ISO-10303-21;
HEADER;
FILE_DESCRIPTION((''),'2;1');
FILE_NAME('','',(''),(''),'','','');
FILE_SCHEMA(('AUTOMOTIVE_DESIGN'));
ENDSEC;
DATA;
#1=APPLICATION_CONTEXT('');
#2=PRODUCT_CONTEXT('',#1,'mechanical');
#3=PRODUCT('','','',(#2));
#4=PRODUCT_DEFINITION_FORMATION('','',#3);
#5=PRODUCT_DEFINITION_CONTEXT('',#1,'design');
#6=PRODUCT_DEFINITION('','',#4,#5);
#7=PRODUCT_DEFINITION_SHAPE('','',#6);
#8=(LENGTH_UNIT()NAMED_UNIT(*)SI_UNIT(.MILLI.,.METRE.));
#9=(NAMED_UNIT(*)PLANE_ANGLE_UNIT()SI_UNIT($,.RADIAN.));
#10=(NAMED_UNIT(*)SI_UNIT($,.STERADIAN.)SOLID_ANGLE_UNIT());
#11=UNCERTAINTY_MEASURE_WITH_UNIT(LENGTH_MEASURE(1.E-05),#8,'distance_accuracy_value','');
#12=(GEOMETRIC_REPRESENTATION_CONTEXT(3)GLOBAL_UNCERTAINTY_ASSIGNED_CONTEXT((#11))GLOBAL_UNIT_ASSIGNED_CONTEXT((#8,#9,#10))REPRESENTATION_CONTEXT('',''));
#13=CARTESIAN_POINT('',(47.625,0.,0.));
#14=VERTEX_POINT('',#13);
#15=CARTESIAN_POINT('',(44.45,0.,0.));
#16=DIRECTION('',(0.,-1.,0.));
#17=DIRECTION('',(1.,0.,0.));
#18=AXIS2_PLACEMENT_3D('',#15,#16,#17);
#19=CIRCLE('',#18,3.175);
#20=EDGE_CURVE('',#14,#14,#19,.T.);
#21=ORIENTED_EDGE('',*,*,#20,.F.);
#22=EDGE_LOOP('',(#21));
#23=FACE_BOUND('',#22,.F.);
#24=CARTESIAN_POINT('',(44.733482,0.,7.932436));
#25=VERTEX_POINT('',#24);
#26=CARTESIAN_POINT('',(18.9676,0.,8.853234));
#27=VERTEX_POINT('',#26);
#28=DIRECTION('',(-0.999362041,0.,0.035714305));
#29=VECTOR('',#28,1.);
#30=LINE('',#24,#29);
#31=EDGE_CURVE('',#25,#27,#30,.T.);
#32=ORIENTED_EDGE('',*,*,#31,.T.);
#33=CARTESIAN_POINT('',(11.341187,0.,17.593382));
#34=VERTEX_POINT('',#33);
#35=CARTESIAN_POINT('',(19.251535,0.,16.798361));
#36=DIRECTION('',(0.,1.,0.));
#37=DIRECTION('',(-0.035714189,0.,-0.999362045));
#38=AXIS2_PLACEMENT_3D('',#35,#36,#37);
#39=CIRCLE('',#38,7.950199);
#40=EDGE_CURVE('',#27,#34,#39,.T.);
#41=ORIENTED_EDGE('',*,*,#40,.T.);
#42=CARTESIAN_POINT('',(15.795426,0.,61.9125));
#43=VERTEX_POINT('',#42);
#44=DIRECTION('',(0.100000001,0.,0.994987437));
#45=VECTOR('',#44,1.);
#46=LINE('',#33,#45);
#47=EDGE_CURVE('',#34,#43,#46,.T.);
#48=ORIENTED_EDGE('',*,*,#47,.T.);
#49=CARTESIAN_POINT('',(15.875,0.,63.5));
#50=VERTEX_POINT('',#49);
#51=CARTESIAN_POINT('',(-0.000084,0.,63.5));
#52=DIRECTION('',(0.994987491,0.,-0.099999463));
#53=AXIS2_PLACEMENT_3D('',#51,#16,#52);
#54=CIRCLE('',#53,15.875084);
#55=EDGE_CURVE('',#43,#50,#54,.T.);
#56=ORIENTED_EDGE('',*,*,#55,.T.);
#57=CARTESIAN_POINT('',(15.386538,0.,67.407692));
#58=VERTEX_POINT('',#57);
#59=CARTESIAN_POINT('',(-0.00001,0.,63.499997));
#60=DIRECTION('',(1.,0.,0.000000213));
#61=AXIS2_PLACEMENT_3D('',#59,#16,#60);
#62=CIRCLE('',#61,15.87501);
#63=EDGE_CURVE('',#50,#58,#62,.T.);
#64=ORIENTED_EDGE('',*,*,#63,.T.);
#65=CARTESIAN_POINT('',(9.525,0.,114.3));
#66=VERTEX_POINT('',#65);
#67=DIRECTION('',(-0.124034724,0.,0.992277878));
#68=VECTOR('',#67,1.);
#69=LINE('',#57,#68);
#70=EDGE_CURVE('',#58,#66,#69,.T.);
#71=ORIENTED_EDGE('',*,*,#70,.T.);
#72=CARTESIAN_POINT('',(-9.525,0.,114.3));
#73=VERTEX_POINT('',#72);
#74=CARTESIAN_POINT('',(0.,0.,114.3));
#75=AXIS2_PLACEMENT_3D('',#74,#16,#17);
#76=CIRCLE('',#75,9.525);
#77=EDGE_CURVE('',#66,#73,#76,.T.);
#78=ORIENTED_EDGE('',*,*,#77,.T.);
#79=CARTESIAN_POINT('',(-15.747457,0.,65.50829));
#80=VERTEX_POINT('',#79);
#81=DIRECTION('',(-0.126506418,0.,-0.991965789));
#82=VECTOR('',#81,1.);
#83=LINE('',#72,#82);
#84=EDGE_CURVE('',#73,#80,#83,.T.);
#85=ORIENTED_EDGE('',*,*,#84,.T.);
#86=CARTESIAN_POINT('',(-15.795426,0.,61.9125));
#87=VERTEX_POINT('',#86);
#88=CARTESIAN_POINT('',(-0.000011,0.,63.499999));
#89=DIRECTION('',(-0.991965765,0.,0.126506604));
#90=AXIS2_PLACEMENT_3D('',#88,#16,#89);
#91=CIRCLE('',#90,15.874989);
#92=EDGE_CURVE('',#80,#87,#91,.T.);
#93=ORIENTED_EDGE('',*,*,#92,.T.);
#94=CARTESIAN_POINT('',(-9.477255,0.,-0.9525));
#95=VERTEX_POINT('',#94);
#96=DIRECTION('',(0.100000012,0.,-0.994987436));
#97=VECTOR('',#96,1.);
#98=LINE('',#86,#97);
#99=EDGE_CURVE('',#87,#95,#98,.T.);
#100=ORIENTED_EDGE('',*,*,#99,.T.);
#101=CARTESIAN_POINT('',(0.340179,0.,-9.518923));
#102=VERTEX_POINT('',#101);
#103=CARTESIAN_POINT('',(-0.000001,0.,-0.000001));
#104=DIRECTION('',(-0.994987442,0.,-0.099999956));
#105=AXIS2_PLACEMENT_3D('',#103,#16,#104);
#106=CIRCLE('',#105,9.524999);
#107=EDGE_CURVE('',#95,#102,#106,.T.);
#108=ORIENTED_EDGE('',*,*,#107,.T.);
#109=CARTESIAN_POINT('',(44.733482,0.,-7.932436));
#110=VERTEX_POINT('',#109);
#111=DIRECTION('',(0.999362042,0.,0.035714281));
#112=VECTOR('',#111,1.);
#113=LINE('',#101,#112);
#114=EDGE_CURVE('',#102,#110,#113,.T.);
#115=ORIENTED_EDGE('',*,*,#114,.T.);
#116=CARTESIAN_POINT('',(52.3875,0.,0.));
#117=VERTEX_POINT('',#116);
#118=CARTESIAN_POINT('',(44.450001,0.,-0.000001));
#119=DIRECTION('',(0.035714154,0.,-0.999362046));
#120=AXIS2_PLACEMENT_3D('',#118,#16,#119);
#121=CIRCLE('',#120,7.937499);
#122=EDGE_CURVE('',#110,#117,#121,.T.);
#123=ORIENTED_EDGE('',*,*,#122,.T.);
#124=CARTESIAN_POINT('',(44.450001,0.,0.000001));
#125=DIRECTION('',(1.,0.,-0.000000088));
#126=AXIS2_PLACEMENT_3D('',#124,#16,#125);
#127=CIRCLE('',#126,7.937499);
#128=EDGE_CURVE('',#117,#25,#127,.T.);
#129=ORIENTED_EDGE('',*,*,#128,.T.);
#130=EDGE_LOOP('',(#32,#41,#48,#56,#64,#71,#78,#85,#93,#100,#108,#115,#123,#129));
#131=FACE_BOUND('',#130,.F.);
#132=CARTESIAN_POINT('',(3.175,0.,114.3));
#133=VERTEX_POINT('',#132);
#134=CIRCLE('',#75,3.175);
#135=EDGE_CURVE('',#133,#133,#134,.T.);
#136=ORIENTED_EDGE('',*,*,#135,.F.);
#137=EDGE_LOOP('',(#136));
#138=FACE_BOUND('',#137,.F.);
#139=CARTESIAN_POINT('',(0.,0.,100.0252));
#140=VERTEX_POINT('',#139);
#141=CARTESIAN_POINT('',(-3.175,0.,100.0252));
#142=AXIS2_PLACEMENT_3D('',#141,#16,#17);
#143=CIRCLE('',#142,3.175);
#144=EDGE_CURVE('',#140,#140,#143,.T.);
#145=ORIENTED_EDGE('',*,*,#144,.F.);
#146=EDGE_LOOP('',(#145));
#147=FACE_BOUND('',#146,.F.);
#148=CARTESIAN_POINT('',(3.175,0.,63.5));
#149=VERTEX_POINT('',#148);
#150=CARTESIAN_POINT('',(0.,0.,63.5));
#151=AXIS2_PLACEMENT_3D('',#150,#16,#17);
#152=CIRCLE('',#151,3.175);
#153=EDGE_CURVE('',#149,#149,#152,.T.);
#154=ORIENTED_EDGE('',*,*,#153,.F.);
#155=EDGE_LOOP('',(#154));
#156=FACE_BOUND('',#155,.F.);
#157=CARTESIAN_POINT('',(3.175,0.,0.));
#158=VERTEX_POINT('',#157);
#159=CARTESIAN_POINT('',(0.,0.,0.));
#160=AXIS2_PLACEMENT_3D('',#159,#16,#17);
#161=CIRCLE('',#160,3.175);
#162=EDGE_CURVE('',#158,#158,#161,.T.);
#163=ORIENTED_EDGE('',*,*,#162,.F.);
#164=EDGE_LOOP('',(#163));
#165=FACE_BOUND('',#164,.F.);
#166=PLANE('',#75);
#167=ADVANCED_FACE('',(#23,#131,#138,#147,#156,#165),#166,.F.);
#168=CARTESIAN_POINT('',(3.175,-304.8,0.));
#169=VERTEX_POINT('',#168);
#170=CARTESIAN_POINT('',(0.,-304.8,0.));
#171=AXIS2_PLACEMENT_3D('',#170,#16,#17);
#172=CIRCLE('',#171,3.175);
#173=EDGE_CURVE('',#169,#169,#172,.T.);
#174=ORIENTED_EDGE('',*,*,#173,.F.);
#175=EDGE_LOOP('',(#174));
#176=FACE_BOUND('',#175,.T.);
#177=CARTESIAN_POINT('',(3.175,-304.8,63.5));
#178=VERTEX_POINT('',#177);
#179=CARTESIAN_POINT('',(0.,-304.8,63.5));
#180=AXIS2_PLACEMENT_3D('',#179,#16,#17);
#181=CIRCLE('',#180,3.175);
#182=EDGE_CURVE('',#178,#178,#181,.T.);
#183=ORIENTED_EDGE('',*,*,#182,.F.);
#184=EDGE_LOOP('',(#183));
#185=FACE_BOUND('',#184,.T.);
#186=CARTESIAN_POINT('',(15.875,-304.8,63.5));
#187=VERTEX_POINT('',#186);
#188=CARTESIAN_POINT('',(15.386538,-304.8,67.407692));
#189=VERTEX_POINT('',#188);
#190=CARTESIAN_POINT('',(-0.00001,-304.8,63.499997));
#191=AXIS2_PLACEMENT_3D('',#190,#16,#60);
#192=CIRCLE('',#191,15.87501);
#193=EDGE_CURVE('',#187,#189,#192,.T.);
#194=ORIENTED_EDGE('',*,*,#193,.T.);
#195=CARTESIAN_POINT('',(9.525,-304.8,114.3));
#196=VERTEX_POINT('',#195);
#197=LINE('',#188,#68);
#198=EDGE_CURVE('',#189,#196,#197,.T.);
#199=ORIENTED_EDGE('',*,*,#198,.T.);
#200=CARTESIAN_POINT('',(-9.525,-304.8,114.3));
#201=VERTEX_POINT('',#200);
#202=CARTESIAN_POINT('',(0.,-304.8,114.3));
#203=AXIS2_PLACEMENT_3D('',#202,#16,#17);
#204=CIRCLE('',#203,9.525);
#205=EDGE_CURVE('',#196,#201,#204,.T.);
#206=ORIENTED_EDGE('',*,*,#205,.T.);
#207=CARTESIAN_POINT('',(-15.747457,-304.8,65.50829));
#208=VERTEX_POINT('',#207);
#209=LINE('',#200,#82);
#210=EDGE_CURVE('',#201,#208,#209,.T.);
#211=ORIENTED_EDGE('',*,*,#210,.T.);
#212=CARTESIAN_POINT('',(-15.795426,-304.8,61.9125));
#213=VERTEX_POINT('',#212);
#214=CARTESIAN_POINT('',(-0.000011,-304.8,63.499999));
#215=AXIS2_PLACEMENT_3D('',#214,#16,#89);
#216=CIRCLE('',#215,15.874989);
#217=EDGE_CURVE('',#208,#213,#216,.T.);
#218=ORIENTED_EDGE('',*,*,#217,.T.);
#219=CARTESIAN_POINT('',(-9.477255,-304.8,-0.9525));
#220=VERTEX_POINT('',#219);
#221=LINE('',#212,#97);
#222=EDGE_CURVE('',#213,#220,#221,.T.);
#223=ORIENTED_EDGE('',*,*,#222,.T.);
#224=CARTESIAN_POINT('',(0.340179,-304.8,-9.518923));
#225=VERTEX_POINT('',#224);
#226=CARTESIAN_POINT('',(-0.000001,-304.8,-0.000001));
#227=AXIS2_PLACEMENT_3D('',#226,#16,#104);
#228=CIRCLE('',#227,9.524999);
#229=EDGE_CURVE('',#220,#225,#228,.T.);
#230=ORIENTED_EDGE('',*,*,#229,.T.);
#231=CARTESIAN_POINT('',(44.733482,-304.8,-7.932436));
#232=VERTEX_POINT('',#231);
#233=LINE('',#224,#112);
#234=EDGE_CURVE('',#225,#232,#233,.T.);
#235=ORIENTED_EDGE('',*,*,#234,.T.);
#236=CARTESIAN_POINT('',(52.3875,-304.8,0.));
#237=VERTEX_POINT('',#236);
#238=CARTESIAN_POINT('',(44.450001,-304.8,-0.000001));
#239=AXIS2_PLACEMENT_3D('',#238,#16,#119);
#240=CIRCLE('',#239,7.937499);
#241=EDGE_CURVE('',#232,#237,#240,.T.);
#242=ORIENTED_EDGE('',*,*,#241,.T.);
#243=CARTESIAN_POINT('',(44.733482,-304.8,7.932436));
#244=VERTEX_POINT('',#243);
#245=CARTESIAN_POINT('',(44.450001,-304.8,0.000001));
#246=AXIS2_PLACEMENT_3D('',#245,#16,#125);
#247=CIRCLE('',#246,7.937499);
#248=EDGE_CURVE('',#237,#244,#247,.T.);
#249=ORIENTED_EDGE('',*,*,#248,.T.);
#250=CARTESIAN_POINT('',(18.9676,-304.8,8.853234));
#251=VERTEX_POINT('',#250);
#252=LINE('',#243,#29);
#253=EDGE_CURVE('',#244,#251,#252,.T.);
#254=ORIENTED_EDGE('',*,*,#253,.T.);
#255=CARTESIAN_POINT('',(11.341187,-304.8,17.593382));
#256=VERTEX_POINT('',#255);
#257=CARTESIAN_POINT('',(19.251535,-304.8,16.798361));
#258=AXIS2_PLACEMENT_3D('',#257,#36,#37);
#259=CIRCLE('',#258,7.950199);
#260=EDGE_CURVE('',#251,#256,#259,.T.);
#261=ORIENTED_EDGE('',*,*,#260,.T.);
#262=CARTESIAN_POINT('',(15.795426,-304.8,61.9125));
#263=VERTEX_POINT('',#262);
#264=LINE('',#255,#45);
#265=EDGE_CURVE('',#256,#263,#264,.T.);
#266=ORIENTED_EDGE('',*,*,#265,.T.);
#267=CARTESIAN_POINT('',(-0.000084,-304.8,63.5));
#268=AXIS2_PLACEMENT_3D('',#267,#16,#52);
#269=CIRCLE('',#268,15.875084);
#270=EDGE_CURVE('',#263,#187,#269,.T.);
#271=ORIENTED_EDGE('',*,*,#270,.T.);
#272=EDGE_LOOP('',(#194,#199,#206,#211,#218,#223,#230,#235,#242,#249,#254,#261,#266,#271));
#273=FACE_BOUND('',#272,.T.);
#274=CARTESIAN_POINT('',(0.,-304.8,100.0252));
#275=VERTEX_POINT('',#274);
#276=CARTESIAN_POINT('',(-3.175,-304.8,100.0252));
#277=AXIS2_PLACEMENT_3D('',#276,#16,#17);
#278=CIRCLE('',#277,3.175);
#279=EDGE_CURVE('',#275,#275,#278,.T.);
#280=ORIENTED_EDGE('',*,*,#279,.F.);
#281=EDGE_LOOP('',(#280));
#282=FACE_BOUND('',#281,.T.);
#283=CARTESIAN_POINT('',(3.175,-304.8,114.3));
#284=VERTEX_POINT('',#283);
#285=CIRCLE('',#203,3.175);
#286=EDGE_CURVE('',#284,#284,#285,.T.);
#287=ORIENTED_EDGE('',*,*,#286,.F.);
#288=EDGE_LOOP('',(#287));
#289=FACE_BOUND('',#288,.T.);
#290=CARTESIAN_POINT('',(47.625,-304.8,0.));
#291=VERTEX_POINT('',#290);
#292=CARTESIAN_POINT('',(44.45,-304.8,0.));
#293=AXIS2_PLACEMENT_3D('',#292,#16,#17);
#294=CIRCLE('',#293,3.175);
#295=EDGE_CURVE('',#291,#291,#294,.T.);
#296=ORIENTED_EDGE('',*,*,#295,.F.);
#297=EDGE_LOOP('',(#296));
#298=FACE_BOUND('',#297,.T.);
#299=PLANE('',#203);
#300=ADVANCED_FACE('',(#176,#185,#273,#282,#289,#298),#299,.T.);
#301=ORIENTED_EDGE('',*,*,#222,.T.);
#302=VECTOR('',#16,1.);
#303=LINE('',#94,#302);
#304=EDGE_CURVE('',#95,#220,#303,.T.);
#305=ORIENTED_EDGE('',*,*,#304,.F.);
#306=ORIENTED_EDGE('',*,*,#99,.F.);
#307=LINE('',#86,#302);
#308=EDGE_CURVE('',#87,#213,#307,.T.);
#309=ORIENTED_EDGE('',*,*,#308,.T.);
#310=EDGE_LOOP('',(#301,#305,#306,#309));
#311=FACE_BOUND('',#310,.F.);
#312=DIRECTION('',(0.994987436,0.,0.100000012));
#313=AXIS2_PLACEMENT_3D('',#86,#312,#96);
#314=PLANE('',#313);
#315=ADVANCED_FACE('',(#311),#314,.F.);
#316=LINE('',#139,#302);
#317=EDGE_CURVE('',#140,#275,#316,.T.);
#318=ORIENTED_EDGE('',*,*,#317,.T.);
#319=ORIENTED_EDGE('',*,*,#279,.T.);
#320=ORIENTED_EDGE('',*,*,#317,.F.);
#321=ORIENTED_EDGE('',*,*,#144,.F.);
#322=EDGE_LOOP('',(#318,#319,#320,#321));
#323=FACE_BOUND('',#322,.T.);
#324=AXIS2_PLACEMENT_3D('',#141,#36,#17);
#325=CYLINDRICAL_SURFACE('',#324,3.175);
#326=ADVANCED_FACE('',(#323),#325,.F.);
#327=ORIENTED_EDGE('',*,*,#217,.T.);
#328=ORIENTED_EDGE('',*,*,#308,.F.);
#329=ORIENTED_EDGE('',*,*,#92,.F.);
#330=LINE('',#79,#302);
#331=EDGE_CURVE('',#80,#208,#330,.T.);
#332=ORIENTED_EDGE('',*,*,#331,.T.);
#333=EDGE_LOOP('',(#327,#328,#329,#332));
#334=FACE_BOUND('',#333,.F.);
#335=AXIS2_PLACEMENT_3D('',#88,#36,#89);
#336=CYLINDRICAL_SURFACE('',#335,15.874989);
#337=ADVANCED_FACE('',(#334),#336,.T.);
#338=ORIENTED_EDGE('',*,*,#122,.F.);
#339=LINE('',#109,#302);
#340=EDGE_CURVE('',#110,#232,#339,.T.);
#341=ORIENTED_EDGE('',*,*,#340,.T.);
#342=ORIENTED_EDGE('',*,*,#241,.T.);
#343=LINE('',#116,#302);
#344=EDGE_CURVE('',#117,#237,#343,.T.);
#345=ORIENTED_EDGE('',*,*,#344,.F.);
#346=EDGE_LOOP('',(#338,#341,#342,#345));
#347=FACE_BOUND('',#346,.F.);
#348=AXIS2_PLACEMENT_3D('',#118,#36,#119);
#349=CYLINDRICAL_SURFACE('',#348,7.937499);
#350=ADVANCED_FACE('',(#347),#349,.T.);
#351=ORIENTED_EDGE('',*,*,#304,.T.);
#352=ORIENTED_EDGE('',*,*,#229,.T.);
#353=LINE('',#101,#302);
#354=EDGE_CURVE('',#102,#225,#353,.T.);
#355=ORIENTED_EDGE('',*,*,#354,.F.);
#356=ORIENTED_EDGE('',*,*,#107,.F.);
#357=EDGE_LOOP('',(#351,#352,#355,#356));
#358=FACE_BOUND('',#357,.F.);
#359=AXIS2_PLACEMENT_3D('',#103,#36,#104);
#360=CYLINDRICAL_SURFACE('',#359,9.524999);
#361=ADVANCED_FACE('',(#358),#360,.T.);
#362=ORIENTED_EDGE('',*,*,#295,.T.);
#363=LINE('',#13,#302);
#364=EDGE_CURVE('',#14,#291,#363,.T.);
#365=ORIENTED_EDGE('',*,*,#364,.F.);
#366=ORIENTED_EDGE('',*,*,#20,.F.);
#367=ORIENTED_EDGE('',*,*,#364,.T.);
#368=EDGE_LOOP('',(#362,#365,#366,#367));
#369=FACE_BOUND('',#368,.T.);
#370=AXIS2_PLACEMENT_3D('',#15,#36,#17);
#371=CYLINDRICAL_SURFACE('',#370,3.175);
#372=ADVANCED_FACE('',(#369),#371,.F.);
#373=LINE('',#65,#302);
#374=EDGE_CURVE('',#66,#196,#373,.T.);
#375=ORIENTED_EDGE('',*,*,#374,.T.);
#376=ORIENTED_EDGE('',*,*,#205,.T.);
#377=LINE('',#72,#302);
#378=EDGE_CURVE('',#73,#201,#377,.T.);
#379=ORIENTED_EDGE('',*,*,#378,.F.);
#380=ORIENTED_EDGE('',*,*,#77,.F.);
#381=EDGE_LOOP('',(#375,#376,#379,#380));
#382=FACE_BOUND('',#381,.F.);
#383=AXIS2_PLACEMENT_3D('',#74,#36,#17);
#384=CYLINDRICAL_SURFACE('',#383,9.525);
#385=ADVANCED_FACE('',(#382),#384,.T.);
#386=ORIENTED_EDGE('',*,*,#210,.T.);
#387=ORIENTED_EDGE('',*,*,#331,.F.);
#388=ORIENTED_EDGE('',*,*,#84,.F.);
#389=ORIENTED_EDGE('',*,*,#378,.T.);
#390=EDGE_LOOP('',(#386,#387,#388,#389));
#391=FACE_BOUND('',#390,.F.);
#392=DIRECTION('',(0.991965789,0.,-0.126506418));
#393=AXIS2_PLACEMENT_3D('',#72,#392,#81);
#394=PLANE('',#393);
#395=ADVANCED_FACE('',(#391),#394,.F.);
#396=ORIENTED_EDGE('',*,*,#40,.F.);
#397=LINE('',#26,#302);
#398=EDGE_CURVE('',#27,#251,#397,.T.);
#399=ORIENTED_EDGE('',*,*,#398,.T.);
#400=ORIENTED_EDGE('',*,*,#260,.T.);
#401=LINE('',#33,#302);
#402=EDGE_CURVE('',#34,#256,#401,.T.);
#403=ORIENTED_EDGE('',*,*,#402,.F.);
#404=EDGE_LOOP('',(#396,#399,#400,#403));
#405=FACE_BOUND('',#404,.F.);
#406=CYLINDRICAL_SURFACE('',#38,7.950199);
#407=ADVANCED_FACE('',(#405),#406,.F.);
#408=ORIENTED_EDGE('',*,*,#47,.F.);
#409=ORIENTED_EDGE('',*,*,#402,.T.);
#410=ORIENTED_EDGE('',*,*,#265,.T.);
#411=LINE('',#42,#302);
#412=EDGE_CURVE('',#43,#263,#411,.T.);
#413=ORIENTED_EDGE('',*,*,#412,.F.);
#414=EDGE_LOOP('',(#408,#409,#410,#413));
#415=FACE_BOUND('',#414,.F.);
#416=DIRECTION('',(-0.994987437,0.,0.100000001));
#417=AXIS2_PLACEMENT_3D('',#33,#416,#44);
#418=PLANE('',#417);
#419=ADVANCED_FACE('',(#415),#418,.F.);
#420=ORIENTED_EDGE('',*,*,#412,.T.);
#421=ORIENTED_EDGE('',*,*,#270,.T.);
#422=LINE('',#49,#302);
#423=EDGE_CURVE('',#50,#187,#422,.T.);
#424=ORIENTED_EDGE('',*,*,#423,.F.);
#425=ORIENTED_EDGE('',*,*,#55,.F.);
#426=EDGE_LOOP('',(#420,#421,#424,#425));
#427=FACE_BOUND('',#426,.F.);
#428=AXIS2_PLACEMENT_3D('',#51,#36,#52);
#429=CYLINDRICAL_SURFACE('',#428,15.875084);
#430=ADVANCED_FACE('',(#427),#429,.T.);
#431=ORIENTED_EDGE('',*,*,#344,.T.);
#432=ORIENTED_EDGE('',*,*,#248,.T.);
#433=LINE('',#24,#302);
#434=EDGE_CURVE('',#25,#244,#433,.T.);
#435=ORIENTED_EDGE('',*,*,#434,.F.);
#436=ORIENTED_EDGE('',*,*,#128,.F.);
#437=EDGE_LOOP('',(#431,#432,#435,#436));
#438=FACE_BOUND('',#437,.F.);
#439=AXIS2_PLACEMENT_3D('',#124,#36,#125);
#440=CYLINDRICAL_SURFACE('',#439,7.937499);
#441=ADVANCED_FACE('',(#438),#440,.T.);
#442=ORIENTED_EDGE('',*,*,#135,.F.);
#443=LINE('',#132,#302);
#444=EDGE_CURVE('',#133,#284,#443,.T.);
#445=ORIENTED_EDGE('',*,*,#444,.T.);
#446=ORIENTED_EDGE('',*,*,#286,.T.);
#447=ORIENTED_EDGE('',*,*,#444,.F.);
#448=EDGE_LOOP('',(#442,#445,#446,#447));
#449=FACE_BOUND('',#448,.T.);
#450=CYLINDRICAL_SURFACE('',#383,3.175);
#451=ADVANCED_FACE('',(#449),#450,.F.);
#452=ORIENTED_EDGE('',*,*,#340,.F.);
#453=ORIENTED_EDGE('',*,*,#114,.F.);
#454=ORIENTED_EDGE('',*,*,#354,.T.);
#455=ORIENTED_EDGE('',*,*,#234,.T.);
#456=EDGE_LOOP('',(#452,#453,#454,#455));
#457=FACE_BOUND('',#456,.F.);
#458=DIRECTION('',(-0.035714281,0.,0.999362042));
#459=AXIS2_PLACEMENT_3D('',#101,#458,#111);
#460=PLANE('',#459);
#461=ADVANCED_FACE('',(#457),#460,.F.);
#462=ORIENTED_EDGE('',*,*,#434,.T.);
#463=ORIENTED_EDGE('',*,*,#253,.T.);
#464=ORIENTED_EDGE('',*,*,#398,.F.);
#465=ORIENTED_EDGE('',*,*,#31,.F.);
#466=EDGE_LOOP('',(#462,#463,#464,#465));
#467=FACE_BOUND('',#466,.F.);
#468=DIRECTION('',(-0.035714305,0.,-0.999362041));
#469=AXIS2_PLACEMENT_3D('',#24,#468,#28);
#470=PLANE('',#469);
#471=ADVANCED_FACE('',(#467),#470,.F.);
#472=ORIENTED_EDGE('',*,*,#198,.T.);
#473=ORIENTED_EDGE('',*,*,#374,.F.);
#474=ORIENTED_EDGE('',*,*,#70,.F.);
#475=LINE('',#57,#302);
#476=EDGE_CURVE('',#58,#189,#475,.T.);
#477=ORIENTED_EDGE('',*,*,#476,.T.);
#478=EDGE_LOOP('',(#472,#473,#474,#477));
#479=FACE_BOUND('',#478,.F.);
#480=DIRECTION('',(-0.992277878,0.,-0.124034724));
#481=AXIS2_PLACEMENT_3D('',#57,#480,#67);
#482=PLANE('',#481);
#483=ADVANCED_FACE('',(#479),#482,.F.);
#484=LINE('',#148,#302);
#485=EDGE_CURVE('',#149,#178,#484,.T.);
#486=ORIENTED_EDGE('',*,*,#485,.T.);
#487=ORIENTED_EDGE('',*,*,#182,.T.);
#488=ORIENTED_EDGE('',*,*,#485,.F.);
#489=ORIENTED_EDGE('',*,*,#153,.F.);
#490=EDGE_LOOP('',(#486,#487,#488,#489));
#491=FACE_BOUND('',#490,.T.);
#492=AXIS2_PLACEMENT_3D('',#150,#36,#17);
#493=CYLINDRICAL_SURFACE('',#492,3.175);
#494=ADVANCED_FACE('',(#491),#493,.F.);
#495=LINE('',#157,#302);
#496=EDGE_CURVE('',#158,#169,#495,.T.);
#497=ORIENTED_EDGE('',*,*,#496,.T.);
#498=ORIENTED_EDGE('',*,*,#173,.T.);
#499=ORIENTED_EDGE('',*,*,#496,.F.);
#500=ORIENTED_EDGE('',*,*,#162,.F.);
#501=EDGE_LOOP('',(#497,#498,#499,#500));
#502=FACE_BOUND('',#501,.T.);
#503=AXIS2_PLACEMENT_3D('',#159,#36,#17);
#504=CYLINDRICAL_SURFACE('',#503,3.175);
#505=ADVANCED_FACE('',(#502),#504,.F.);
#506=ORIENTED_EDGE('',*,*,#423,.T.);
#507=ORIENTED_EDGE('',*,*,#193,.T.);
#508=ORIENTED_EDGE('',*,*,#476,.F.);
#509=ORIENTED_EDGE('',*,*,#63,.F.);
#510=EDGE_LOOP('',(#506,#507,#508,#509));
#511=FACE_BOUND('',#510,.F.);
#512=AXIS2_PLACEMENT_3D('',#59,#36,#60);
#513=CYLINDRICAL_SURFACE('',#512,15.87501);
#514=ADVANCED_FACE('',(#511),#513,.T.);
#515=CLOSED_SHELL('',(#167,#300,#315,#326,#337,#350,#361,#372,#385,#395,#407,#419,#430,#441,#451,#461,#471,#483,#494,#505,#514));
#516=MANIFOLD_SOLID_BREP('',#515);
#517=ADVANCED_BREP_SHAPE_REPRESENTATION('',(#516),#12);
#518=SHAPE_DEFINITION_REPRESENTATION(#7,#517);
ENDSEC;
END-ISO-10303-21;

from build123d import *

# Parameters (mm, degrees)
F0_R     = 3.175
F1_DEPTH = 304.8


with BuildPart() as f1:
    # F0 (on Front) → F1 (new body)
    with BuildSketch(Plane.XZ):
        with BuildLine():
            ThreePointArc((-9.525, 114.3), (0, 104.775), (9.525, 114.3))
            ThreePointArc((9.525, 114.3), (0, 123.825), (-9.525, 114.3))
        make_face()
        with Locations((0, 114.3)):
            Circle(F0_R, mode=Mode.SUBTRACT)
        with BuildLine():
            Line((15.386538, 67.407692), (9.525, 114.3))
            ThreePointArc((9.525, 114.3), (0, 104.775), (-9.525, 114.3))
            Line((-9.525, 114.3), (-15.747457, 65.50829))
            ThreePointArc((-15.747457, 65.50829), (-0.966694, 79.34554), (15.386538, 67.407692))
        make_face()
        with Locations((-3.175, 100.0252)):
            Circle(F0_R, mode=Mode.SUBTRACT)
        with BuildLine():
            Line((15.875, 63.5), (15.386538, 67.407692))
            ThreePointArc((15.386538, 67.407692), (-0.966694, 79.34554), (-15.747457, 65.50829))
            ThreePointArc((-15.747457, 65.50829), (-15.873588, 63.711757), (-15.795426, 61.9125))
            ThreePointArc((-15.795426, 61.9125), (0, 47.625), (15.795426, 61.9125))
            ThreePointArc((15.795426, 61.9125), (15.855094, 62.705253), (15.875, 63.5))
        make_face()
        with Locations((0, 63.5)):
            Circle(F0_R, mode=Mode.SUBTRACT)
        with BuildLine():
            ThreePointArc((15.875, 63.5), (15.752411, 65.469051), (15.386538, 67.407692))
            Line((15.386538, 67.407692), (15.875, 63.5))
        make_face()
        with BuildLine():
            ThreePointArc((15.795426, 61.9125), (0, 47.625), (-15.795426, 61.9125))
            Line((-15.795426, 61.9125), (-9.477255, -0.9525))
            ThreePointArc((-9.477255, -0.9525), (-0.476848, 9.513056), (9.525, 0))
            ThreePointArc((9.525, 0), (6.854408, -6.613827), (0.340179, -9.518923))
            Line((0.340179, -9.518923), (44.733482, -7.932436))
            ThreePointArc((44.733482, -7.932436), (36.5125, 0), (44.733482, 7.932436))
            Line((44.733482, 7.932436), (18.9676, 8.853234))
            ThreePointArc((18.9676, 8.853234), (13.2612, 11.571359), (11.341187, 17.593382))
            Line((11.341187, 17.593382), (15.795426, 61.9125))
        make_face()
        with BuildLine():
            ThreePointArc((9.525, 0), (-0.476848, 9.513056), (-9.477255, -0.9525))
            ThreePointArc((-9.477255, -0.9525), (-6.262383, -7.17692), (0.340179, -9.518923))
            ThreePointArc((0.340179, -9.518923), (6.854408, -6.613827), (9.525, 0))
        make_face()
        Circle(F0_R, mode=Mode.SUBTRACT)
        with BuildLine():
            ThreePointArc((44.733482, 7.932436), (36.5125, 0), (44.733482, -7.932436))
            ThreePointArc((44.733482, -7.932436), (50.162007, -5.511523), (52.3875, 0))
            ThreePointArc((52.3875, 0), (50.162007, 5.511523), (44.733482, 7.932436))
        make_face()
        with Locations((44.45, 0)):
            Circle(F0_R, mode=Mode.SUBTRACT)
    extrude(amount=F1_DEPTH)


solid = f1.part
